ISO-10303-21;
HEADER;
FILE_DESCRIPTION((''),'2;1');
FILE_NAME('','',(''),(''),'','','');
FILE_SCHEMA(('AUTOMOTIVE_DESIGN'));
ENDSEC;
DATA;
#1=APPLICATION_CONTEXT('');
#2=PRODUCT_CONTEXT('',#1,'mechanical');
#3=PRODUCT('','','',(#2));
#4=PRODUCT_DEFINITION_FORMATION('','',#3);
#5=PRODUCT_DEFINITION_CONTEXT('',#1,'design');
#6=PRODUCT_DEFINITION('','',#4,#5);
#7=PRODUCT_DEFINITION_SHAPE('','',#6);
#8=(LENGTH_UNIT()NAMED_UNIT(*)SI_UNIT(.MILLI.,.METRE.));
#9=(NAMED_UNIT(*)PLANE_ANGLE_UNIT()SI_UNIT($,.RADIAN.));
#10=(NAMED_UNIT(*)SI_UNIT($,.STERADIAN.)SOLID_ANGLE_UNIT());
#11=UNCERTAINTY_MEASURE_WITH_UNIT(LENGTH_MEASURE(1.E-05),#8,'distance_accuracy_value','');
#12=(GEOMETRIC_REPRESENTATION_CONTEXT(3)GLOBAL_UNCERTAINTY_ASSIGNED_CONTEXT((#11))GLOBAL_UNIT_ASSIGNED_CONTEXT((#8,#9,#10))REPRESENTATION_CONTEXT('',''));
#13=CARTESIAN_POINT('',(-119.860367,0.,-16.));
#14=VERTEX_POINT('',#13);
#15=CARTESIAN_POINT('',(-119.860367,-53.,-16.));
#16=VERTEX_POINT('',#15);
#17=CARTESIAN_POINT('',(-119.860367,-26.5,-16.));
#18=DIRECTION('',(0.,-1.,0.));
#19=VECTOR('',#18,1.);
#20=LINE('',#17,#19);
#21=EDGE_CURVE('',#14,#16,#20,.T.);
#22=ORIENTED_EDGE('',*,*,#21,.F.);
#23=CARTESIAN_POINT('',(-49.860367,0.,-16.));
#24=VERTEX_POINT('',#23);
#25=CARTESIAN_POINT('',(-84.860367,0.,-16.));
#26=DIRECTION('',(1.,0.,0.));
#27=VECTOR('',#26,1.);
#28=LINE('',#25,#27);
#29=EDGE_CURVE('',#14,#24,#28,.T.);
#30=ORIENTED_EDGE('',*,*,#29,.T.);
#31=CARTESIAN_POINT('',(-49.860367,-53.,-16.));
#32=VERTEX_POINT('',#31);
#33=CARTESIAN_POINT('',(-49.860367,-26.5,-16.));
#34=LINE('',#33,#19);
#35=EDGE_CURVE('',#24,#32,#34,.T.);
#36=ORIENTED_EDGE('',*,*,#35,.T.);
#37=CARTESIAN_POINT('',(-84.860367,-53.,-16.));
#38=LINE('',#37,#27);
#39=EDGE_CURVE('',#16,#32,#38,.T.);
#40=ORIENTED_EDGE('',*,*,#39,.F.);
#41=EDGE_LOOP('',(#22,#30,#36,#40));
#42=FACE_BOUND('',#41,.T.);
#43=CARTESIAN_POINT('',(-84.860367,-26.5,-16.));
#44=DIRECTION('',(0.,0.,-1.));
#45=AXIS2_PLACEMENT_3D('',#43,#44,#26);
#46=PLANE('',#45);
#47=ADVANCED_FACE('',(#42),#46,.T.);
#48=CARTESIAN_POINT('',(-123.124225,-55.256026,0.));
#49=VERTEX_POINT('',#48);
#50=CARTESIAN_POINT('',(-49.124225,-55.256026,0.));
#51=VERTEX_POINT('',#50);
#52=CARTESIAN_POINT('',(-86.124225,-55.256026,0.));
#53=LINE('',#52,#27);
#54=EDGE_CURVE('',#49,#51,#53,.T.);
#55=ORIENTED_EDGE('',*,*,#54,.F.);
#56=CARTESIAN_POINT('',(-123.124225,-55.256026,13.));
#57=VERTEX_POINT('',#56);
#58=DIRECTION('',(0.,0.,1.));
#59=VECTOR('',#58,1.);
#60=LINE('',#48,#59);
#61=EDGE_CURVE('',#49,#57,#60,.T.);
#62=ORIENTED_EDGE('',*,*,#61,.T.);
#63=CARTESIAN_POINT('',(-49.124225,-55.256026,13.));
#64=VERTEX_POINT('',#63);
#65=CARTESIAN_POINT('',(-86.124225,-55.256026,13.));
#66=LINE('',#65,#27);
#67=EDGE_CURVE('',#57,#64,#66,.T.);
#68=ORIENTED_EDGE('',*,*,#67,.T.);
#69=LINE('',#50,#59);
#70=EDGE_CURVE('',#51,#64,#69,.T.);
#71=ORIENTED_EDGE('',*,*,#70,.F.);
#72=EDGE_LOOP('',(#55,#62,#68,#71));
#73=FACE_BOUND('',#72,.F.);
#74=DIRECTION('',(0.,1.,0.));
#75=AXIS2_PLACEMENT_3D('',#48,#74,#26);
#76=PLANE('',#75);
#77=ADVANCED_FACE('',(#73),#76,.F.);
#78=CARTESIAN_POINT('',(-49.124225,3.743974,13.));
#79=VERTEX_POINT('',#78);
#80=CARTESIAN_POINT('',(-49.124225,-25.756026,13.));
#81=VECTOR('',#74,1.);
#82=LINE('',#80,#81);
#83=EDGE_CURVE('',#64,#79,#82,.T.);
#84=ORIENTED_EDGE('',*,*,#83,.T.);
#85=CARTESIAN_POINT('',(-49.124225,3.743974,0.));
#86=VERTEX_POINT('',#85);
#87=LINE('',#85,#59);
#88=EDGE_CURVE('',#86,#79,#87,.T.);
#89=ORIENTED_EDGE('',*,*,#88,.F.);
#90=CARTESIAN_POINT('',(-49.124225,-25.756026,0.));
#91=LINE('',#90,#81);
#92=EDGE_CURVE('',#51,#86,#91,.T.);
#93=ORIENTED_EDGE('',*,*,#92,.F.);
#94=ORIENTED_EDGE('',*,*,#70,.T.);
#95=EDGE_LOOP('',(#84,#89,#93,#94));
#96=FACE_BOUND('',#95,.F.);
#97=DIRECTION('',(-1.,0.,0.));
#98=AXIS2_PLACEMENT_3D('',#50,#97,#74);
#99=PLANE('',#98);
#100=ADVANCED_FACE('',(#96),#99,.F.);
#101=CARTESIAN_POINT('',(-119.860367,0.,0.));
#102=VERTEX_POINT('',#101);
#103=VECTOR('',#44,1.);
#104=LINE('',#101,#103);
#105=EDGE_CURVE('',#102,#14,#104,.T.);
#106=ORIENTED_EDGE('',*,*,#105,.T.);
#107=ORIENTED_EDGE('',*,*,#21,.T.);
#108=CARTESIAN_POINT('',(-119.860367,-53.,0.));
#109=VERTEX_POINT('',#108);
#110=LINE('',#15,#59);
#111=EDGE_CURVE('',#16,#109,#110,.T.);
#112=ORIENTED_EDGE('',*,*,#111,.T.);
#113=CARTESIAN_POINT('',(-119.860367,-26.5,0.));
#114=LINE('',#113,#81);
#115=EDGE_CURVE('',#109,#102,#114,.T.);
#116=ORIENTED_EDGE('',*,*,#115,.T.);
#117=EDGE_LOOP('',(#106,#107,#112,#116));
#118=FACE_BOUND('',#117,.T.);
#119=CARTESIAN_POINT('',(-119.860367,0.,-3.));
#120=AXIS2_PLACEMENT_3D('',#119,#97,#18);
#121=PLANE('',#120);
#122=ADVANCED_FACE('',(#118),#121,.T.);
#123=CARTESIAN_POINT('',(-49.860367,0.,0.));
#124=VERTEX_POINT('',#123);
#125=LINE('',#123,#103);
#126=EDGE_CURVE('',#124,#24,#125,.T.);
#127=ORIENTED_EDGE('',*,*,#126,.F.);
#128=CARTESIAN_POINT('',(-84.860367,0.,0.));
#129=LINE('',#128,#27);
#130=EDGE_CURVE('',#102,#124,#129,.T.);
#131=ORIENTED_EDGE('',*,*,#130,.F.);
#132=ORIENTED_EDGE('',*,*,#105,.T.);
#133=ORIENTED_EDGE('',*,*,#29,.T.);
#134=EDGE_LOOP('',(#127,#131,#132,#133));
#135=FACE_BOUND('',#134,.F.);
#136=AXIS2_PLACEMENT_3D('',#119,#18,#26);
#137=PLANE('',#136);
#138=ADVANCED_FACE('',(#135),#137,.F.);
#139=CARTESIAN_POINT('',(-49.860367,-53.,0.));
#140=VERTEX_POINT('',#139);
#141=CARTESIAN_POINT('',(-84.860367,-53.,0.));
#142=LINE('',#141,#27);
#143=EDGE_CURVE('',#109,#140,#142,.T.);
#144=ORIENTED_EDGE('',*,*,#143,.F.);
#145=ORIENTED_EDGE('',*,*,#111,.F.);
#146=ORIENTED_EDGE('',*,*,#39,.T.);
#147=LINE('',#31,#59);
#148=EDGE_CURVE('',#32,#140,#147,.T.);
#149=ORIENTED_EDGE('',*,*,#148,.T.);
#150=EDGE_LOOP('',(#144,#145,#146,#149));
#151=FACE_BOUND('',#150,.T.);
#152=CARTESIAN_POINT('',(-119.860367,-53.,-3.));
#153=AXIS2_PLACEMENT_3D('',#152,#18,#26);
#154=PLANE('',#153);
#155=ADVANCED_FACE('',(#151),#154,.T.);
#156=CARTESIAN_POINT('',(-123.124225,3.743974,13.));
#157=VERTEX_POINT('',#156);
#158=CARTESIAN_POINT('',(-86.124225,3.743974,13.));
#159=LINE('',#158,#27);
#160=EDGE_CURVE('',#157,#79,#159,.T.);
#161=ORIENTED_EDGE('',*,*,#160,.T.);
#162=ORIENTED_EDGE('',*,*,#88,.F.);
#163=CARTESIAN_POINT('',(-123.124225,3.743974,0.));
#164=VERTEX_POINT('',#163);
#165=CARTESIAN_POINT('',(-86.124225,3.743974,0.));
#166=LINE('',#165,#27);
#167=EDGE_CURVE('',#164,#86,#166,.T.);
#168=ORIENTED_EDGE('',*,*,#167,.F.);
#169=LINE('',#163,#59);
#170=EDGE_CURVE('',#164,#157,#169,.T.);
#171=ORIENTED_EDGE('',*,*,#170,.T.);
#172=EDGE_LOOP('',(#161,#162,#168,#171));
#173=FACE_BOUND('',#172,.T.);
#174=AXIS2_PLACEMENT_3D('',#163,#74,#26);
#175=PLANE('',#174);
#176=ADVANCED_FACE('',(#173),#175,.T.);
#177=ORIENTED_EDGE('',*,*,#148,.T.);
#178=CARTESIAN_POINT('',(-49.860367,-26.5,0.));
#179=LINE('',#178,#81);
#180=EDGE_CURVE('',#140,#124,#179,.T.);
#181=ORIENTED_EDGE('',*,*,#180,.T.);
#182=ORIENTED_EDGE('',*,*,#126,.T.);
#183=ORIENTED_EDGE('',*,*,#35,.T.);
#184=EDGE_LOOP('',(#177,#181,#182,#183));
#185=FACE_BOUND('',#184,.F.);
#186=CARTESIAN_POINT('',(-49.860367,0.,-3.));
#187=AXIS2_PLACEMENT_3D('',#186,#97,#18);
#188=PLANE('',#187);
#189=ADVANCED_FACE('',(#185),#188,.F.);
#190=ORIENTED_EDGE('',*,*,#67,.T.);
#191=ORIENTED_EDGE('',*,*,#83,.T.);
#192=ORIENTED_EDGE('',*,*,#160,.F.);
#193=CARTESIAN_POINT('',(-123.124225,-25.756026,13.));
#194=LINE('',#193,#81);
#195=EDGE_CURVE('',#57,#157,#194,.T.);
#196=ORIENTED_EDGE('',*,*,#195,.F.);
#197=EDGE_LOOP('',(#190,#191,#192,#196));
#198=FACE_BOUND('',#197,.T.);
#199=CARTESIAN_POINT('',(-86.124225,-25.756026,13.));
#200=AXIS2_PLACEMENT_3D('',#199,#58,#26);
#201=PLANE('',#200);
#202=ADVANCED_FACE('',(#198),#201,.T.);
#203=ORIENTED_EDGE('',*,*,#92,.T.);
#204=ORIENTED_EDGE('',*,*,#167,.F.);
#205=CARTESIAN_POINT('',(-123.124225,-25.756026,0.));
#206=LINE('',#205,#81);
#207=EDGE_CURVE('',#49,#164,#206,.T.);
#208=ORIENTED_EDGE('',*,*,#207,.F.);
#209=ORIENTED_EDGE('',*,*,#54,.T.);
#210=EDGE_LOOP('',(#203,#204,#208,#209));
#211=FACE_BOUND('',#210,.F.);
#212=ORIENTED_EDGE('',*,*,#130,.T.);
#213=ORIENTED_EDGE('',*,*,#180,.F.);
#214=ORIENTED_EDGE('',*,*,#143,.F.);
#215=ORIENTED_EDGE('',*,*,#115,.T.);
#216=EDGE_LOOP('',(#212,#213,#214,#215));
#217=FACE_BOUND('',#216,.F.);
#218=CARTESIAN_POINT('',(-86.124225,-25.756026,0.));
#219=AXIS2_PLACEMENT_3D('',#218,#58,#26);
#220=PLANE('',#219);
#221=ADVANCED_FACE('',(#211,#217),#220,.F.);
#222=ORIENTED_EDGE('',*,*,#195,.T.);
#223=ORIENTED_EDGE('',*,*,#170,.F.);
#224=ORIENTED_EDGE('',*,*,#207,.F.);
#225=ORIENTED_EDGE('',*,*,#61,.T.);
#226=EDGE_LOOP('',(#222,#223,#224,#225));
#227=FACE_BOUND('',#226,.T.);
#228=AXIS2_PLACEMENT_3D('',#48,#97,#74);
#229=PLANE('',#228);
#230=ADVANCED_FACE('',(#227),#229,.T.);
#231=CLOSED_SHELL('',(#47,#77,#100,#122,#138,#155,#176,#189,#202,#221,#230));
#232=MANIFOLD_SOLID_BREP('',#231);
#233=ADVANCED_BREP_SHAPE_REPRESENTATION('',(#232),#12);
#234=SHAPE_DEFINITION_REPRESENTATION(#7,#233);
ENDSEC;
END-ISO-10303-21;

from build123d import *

# Parameters (mm, degrees)
F0_W      = 74
F0_H      = 59
F1_DEPTH  = 13
F2_W      = 70
F2_H      = 53
F3_DEPTH  = 3
F3_FACE_W = 70
F3_FACE_H = 53
F4_DEPTH  = 13


with BuildPart() as f1:
    # F0 (on Top) → F1 (new body)
    with BuildSketch(Plane.XY):
        with Locations((-86.124225, -25.756026)):
            Rectangle(F0_W, F0_H)
    extrude(amount=F1_DEPTH)

    # F2 (on Top) → F3 (join)
    with BuildSketch(Plane.XY):
        with Locations((-84.860367, -26.5)):
            Rectangle(F2_W, F2_H)
    extrude(amount=-F3_DEPTH)

    # F3_face (on face) → F4 (join)
    with BuildSketch(Plane(origin=(-84.860367, -26.5, -3), x_dir=(1, 0, 0), z_dir=(0, 0, -1))):
        Rectangle(F3_FACE_W, F3_FACE_H)
    extrude(amount=F4_DEPTH)


solid = f1.part
